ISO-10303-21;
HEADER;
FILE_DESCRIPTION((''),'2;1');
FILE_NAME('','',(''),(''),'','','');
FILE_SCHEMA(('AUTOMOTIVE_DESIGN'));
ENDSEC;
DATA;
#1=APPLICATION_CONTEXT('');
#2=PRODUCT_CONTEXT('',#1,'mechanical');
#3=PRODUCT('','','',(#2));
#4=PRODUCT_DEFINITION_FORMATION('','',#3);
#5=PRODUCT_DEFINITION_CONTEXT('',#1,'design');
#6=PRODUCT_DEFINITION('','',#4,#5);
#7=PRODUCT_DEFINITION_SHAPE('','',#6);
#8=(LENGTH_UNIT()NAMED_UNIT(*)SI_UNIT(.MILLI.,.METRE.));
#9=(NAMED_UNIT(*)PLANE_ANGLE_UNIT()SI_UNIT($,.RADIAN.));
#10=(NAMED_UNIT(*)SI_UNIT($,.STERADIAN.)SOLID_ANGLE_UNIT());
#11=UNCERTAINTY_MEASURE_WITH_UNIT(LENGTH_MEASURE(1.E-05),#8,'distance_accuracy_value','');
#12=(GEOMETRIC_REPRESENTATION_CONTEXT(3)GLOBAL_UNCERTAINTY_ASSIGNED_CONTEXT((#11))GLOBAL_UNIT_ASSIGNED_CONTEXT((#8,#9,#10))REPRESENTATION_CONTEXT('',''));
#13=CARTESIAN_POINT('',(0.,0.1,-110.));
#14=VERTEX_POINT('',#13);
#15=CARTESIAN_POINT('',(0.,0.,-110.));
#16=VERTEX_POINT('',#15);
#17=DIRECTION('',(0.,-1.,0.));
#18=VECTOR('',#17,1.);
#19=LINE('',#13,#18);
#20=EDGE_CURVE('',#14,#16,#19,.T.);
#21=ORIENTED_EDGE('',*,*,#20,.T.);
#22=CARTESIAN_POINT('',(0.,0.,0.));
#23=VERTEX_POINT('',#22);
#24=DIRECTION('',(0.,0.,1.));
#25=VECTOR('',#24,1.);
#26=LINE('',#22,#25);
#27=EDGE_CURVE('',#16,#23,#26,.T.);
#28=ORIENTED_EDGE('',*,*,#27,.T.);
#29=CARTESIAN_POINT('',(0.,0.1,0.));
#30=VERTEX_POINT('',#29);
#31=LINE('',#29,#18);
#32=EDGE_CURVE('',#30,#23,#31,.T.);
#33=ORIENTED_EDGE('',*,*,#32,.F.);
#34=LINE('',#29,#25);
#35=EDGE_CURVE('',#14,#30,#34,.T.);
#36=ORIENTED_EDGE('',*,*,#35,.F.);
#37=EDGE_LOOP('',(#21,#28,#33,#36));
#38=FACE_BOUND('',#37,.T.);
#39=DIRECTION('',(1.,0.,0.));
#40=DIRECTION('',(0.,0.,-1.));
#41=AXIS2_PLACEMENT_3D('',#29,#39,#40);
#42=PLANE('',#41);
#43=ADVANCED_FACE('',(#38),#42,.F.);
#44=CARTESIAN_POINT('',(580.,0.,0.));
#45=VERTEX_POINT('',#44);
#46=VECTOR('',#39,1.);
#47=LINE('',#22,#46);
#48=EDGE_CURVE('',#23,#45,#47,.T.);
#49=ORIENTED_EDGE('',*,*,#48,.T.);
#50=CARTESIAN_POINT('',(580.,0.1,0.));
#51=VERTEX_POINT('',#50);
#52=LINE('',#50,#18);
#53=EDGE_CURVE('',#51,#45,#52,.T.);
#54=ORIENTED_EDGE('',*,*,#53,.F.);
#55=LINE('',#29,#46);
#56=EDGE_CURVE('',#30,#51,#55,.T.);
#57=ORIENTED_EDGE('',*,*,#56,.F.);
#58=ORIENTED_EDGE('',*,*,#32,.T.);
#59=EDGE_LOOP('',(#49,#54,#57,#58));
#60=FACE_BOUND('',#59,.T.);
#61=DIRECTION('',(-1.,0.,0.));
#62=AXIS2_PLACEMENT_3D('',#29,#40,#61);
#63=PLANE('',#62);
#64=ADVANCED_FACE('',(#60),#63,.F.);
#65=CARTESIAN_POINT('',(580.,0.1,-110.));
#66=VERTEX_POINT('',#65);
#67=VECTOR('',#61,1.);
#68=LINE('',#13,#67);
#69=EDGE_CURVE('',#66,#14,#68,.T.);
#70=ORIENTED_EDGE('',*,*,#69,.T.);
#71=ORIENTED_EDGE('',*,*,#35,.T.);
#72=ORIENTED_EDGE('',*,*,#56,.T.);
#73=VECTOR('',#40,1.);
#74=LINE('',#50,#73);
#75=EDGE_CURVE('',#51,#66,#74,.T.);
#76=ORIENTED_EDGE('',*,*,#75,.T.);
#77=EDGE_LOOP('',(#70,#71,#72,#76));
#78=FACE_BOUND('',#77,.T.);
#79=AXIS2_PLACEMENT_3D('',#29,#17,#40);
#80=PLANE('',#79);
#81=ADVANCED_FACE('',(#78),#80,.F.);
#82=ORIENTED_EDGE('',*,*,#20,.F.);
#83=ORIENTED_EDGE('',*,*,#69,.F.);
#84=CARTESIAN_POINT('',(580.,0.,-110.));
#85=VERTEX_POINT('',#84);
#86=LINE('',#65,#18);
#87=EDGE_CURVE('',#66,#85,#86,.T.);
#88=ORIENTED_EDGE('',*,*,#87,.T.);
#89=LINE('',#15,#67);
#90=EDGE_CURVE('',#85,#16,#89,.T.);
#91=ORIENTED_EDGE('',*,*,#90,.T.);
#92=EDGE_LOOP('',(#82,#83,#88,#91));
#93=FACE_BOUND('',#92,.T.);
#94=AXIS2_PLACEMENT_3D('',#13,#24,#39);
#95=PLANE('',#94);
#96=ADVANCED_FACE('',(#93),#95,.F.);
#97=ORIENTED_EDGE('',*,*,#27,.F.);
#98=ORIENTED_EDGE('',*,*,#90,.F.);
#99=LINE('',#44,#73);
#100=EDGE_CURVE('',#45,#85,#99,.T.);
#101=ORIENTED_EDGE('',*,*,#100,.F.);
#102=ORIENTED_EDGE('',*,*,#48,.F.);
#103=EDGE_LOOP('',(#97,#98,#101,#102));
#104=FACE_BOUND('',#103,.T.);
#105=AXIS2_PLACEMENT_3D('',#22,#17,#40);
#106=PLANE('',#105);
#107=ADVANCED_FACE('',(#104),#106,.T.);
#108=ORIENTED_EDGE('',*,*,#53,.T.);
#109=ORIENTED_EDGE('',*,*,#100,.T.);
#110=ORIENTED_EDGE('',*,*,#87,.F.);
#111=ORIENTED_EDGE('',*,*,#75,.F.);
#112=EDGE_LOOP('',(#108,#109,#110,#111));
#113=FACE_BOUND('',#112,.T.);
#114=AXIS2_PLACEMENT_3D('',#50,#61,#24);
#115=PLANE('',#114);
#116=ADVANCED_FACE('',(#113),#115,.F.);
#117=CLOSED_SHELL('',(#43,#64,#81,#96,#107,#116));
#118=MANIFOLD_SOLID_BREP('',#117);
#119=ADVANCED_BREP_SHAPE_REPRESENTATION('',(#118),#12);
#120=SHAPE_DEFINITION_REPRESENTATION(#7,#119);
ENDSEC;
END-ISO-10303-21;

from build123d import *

# Parameters (mm, degrees)
SKETCH1_W           = 580
SKETCH1_H           = 110
BOSS_EXTRUDE1_DEPTH = 0.1


with BuildPart() as part:
    # Sketch1 → Boss-Extrude1 (new body)
    with BuildSketch(Plane(origin=(0, 0, 0), x_dir=(1, 0, 0), z_dir=(0, 1, 0))):
        with Locations((290, 55)):
            Rectangle(SKETCH1_W, SKETCH1_H)
    extrude(amount=BOSS_EXTRUDE1_DEPTH)


solid = part.part
